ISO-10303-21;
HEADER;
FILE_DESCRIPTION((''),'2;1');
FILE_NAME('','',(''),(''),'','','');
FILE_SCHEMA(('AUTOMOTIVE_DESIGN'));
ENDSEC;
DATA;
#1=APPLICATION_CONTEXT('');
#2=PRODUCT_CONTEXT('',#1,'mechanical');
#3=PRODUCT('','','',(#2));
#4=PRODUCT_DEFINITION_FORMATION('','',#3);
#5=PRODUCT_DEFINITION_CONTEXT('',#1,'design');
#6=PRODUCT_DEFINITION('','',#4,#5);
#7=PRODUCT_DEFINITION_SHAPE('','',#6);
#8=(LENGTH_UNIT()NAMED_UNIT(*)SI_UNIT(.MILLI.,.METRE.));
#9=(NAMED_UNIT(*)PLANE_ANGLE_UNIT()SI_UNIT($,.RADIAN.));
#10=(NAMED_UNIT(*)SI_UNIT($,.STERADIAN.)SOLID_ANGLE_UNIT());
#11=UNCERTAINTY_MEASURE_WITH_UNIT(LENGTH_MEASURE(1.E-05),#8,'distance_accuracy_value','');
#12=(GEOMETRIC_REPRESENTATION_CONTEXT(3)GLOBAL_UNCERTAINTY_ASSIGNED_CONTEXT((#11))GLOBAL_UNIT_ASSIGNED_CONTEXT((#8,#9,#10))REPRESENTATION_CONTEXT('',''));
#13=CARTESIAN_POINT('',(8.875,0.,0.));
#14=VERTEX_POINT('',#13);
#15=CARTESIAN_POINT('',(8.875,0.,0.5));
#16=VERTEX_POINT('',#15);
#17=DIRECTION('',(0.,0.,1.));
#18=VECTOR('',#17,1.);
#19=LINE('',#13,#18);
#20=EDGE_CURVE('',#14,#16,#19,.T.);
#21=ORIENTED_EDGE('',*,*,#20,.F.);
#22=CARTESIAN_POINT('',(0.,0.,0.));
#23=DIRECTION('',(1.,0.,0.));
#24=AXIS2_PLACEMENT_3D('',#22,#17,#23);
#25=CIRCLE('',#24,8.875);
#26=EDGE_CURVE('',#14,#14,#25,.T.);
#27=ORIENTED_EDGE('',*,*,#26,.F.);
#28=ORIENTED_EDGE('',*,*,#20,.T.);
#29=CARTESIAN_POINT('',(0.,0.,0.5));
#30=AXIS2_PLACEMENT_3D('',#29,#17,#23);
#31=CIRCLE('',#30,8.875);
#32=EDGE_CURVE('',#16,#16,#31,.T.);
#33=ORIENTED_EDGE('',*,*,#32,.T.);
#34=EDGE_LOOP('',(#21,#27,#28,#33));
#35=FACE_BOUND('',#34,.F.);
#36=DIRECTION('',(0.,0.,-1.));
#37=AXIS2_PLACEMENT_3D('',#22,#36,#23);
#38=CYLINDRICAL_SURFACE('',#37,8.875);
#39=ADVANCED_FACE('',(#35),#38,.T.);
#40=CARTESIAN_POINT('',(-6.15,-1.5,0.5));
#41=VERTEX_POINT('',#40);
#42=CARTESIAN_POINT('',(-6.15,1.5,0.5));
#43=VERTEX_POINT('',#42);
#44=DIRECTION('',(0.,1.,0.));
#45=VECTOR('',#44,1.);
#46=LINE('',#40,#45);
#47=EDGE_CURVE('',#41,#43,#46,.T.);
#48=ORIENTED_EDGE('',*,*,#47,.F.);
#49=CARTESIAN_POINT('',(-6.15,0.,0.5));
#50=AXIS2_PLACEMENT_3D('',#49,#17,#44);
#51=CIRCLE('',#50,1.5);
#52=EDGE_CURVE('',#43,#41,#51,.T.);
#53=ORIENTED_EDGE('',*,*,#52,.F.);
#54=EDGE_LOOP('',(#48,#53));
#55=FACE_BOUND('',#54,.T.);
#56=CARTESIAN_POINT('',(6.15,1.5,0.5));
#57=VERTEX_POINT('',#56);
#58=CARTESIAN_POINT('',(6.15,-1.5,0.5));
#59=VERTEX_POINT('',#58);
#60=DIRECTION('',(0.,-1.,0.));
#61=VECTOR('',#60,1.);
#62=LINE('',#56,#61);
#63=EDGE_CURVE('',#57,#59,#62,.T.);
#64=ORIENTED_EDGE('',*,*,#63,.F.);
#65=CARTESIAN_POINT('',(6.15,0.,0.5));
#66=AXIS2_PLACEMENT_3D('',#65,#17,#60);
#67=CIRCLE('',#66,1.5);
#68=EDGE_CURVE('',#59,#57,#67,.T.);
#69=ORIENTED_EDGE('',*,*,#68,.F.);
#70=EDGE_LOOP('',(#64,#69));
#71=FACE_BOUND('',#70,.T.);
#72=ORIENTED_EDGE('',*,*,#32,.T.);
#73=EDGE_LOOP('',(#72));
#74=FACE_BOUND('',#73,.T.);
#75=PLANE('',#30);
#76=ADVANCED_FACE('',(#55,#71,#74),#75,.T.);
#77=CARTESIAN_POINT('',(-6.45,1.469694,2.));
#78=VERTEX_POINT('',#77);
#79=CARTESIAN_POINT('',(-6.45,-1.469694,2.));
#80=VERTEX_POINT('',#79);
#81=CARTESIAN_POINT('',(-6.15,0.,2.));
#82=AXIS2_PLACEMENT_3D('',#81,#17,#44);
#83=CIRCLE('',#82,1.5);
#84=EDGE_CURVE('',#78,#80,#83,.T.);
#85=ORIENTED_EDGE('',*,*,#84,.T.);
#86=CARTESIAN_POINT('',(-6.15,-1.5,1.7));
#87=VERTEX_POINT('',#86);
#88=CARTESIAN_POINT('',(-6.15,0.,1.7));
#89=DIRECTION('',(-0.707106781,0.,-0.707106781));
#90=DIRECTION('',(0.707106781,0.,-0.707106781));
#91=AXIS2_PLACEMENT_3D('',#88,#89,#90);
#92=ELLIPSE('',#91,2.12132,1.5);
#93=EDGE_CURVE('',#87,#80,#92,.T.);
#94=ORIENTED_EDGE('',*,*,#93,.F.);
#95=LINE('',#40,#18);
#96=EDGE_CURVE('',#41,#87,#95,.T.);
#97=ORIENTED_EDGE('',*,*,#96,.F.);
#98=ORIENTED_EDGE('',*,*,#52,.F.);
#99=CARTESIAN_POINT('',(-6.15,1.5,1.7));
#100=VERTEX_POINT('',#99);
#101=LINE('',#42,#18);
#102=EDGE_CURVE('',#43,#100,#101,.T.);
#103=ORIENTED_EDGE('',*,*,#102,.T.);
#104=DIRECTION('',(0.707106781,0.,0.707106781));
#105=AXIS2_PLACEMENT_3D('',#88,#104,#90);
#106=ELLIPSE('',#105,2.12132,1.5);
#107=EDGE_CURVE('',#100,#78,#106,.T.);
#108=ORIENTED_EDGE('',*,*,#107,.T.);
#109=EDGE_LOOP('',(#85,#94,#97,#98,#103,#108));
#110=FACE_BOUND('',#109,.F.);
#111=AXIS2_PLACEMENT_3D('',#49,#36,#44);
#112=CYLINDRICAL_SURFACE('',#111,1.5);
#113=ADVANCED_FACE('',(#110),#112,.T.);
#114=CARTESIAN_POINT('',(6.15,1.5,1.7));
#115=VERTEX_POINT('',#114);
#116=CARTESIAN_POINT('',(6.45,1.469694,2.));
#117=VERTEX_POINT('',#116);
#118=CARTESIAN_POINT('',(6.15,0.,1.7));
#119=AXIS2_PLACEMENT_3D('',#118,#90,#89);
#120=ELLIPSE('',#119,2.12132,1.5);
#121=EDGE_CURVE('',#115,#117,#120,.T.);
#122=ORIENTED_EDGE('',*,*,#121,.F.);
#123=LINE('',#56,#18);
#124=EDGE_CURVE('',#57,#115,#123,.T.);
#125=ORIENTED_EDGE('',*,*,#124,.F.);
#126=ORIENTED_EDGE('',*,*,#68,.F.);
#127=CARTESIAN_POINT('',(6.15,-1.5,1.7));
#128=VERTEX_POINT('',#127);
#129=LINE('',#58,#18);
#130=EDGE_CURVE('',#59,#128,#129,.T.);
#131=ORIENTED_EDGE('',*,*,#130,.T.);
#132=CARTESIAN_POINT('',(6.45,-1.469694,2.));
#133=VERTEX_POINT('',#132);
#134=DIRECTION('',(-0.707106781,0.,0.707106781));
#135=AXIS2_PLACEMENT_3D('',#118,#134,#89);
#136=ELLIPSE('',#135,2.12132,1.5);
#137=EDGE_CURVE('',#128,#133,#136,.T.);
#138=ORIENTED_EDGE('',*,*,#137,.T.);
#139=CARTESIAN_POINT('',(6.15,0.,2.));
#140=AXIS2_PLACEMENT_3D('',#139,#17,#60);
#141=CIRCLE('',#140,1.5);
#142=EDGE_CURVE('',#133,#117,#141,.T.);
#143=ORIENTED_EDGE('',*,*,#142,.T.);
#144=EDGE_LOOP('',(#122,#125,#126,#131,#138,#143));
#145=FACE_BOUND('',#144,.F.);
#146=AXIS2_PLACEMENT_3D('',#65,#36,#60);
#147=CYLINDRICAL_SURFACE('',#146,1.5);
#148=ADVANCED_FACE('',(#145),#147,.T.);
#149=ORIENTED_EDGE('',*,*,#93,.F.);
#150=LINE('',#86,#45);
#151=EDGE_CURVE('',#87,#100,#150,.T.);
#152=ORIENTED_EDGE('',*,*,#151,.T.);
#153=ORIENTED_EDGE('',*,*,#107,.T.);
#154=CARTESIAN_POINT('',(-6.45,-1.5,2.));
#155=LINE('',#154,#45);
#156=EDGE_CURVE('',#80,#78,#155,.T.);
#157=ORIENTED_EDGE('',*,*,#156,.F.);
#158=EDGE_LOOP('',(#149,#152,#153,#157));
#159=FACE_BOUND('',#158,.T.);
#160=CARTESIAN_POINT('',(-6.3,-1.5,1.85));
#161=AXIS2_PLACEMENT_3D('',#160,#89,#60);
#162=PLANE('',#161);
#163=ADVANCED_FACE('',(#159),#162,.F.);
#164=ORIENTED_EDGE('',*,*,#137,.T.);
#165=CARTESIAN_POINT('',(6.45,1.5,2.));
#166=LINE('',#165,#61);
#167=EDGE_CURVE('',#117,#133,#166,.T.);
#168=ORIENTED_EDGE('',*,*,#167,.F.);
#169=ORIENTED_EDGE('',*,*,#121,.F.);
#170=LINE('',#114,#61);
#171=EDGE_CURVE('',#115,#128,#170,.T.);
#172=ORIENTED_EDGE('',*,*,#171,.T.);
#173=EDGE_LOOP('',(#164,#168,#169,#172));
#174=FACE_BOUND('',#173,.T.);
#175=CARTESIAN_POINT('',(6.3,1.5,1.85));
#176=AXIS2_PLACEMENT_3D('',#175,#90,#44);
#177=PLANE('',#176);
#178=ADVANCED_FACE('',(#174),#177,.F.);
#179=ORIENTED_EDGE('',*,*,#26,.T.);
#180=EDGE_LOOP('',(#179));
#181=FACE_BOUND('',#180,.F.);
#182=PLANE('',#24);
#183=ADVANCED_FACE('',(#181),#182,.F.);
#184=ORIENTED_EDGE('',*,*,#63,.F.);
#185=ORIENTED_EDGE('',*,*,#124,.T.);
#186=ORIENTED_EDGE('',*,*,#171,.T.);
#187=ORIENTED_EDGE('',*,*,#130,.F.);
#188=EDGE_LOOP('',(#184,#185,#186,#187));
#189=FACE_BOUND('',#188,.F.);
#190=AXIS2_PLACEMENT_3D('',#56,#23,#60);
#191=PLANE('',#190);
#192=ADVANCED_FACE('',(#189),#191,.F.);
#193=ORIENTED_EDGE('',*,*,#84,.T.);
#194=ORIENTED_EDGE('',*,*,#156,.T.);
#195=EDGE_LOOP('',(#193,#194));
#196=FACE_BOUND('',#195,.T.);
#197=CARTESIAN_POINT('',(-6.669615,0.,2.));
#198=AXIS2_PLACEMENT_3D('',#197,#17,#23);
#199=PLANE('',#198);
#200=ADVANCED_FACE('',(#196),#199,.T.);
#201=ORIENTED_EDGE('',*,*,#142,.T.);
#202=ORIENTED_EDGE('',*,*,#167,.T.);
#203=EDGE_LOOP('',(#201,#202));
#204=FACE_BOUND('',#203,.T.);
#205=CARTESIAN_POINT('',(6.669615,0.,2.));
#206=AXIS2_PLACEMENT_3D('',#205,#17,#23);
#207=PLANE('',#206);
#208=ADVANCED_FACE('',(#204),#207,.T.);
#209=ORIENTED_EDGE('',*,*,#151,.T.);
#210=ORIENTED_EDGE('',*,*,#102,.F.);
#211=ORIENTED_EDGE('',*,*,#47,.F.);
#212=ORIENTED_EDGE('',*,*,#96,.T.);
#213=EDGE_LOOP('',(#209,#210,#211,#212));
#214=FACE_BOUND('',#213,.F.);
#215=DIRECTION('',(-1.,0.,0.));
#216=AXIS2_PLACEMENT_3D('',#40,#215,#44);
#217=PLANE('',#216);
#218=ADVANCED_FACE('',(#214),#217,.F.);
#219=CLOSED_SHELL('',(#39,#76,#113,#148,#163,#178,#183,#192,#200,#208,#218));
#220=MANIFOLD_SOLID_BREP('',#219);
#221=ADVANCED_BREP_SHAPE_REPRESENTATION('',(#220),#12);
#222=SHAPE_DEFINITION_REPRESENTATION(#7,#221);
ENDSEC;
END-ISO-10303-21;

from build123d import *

# Parameters (mm, degrees)
F0_R     = 8.875
F1_DEPTH = 0.5
F3_DEPTH = 1.5
F4_SIZE  = 0.3


with BuildPart() as f1:
    # F0 (on Top) → F1 (new body)
    with BuildSketch(Plane.XY):
        Circle(F0_R)
    extrude(amount=F1_DEPTH)

    # F2 (on face) → F3 (join)
    with BuildSketch(Plane.XY.offset(0.5)):
        with BuildLine():
            Line((-6.15, -1.5), (-6.15, 1.5))
            ThreePointArc((-6.15, 1.5), (-7.65, 0), (-6.15, -1.5))
        make_face()
        with BuildLine():
            ThreePointArc((6.15, -1.5), (7.65, 0), (6.15, 1.5))
            Line((6.15, 1.5), (6.15, -1.5))
        make_face()
    extrude(amount=F3_DEPTH)

    # F4
    f4_edges = [f1.edges().sort_by_distance(p)[0] for p in [
        (-6.15, 0, 2),
        (6.15, 0, 2),
    ]]
    chamfer(f4_edges, length=F4_SIZE)


solid = f1.part
